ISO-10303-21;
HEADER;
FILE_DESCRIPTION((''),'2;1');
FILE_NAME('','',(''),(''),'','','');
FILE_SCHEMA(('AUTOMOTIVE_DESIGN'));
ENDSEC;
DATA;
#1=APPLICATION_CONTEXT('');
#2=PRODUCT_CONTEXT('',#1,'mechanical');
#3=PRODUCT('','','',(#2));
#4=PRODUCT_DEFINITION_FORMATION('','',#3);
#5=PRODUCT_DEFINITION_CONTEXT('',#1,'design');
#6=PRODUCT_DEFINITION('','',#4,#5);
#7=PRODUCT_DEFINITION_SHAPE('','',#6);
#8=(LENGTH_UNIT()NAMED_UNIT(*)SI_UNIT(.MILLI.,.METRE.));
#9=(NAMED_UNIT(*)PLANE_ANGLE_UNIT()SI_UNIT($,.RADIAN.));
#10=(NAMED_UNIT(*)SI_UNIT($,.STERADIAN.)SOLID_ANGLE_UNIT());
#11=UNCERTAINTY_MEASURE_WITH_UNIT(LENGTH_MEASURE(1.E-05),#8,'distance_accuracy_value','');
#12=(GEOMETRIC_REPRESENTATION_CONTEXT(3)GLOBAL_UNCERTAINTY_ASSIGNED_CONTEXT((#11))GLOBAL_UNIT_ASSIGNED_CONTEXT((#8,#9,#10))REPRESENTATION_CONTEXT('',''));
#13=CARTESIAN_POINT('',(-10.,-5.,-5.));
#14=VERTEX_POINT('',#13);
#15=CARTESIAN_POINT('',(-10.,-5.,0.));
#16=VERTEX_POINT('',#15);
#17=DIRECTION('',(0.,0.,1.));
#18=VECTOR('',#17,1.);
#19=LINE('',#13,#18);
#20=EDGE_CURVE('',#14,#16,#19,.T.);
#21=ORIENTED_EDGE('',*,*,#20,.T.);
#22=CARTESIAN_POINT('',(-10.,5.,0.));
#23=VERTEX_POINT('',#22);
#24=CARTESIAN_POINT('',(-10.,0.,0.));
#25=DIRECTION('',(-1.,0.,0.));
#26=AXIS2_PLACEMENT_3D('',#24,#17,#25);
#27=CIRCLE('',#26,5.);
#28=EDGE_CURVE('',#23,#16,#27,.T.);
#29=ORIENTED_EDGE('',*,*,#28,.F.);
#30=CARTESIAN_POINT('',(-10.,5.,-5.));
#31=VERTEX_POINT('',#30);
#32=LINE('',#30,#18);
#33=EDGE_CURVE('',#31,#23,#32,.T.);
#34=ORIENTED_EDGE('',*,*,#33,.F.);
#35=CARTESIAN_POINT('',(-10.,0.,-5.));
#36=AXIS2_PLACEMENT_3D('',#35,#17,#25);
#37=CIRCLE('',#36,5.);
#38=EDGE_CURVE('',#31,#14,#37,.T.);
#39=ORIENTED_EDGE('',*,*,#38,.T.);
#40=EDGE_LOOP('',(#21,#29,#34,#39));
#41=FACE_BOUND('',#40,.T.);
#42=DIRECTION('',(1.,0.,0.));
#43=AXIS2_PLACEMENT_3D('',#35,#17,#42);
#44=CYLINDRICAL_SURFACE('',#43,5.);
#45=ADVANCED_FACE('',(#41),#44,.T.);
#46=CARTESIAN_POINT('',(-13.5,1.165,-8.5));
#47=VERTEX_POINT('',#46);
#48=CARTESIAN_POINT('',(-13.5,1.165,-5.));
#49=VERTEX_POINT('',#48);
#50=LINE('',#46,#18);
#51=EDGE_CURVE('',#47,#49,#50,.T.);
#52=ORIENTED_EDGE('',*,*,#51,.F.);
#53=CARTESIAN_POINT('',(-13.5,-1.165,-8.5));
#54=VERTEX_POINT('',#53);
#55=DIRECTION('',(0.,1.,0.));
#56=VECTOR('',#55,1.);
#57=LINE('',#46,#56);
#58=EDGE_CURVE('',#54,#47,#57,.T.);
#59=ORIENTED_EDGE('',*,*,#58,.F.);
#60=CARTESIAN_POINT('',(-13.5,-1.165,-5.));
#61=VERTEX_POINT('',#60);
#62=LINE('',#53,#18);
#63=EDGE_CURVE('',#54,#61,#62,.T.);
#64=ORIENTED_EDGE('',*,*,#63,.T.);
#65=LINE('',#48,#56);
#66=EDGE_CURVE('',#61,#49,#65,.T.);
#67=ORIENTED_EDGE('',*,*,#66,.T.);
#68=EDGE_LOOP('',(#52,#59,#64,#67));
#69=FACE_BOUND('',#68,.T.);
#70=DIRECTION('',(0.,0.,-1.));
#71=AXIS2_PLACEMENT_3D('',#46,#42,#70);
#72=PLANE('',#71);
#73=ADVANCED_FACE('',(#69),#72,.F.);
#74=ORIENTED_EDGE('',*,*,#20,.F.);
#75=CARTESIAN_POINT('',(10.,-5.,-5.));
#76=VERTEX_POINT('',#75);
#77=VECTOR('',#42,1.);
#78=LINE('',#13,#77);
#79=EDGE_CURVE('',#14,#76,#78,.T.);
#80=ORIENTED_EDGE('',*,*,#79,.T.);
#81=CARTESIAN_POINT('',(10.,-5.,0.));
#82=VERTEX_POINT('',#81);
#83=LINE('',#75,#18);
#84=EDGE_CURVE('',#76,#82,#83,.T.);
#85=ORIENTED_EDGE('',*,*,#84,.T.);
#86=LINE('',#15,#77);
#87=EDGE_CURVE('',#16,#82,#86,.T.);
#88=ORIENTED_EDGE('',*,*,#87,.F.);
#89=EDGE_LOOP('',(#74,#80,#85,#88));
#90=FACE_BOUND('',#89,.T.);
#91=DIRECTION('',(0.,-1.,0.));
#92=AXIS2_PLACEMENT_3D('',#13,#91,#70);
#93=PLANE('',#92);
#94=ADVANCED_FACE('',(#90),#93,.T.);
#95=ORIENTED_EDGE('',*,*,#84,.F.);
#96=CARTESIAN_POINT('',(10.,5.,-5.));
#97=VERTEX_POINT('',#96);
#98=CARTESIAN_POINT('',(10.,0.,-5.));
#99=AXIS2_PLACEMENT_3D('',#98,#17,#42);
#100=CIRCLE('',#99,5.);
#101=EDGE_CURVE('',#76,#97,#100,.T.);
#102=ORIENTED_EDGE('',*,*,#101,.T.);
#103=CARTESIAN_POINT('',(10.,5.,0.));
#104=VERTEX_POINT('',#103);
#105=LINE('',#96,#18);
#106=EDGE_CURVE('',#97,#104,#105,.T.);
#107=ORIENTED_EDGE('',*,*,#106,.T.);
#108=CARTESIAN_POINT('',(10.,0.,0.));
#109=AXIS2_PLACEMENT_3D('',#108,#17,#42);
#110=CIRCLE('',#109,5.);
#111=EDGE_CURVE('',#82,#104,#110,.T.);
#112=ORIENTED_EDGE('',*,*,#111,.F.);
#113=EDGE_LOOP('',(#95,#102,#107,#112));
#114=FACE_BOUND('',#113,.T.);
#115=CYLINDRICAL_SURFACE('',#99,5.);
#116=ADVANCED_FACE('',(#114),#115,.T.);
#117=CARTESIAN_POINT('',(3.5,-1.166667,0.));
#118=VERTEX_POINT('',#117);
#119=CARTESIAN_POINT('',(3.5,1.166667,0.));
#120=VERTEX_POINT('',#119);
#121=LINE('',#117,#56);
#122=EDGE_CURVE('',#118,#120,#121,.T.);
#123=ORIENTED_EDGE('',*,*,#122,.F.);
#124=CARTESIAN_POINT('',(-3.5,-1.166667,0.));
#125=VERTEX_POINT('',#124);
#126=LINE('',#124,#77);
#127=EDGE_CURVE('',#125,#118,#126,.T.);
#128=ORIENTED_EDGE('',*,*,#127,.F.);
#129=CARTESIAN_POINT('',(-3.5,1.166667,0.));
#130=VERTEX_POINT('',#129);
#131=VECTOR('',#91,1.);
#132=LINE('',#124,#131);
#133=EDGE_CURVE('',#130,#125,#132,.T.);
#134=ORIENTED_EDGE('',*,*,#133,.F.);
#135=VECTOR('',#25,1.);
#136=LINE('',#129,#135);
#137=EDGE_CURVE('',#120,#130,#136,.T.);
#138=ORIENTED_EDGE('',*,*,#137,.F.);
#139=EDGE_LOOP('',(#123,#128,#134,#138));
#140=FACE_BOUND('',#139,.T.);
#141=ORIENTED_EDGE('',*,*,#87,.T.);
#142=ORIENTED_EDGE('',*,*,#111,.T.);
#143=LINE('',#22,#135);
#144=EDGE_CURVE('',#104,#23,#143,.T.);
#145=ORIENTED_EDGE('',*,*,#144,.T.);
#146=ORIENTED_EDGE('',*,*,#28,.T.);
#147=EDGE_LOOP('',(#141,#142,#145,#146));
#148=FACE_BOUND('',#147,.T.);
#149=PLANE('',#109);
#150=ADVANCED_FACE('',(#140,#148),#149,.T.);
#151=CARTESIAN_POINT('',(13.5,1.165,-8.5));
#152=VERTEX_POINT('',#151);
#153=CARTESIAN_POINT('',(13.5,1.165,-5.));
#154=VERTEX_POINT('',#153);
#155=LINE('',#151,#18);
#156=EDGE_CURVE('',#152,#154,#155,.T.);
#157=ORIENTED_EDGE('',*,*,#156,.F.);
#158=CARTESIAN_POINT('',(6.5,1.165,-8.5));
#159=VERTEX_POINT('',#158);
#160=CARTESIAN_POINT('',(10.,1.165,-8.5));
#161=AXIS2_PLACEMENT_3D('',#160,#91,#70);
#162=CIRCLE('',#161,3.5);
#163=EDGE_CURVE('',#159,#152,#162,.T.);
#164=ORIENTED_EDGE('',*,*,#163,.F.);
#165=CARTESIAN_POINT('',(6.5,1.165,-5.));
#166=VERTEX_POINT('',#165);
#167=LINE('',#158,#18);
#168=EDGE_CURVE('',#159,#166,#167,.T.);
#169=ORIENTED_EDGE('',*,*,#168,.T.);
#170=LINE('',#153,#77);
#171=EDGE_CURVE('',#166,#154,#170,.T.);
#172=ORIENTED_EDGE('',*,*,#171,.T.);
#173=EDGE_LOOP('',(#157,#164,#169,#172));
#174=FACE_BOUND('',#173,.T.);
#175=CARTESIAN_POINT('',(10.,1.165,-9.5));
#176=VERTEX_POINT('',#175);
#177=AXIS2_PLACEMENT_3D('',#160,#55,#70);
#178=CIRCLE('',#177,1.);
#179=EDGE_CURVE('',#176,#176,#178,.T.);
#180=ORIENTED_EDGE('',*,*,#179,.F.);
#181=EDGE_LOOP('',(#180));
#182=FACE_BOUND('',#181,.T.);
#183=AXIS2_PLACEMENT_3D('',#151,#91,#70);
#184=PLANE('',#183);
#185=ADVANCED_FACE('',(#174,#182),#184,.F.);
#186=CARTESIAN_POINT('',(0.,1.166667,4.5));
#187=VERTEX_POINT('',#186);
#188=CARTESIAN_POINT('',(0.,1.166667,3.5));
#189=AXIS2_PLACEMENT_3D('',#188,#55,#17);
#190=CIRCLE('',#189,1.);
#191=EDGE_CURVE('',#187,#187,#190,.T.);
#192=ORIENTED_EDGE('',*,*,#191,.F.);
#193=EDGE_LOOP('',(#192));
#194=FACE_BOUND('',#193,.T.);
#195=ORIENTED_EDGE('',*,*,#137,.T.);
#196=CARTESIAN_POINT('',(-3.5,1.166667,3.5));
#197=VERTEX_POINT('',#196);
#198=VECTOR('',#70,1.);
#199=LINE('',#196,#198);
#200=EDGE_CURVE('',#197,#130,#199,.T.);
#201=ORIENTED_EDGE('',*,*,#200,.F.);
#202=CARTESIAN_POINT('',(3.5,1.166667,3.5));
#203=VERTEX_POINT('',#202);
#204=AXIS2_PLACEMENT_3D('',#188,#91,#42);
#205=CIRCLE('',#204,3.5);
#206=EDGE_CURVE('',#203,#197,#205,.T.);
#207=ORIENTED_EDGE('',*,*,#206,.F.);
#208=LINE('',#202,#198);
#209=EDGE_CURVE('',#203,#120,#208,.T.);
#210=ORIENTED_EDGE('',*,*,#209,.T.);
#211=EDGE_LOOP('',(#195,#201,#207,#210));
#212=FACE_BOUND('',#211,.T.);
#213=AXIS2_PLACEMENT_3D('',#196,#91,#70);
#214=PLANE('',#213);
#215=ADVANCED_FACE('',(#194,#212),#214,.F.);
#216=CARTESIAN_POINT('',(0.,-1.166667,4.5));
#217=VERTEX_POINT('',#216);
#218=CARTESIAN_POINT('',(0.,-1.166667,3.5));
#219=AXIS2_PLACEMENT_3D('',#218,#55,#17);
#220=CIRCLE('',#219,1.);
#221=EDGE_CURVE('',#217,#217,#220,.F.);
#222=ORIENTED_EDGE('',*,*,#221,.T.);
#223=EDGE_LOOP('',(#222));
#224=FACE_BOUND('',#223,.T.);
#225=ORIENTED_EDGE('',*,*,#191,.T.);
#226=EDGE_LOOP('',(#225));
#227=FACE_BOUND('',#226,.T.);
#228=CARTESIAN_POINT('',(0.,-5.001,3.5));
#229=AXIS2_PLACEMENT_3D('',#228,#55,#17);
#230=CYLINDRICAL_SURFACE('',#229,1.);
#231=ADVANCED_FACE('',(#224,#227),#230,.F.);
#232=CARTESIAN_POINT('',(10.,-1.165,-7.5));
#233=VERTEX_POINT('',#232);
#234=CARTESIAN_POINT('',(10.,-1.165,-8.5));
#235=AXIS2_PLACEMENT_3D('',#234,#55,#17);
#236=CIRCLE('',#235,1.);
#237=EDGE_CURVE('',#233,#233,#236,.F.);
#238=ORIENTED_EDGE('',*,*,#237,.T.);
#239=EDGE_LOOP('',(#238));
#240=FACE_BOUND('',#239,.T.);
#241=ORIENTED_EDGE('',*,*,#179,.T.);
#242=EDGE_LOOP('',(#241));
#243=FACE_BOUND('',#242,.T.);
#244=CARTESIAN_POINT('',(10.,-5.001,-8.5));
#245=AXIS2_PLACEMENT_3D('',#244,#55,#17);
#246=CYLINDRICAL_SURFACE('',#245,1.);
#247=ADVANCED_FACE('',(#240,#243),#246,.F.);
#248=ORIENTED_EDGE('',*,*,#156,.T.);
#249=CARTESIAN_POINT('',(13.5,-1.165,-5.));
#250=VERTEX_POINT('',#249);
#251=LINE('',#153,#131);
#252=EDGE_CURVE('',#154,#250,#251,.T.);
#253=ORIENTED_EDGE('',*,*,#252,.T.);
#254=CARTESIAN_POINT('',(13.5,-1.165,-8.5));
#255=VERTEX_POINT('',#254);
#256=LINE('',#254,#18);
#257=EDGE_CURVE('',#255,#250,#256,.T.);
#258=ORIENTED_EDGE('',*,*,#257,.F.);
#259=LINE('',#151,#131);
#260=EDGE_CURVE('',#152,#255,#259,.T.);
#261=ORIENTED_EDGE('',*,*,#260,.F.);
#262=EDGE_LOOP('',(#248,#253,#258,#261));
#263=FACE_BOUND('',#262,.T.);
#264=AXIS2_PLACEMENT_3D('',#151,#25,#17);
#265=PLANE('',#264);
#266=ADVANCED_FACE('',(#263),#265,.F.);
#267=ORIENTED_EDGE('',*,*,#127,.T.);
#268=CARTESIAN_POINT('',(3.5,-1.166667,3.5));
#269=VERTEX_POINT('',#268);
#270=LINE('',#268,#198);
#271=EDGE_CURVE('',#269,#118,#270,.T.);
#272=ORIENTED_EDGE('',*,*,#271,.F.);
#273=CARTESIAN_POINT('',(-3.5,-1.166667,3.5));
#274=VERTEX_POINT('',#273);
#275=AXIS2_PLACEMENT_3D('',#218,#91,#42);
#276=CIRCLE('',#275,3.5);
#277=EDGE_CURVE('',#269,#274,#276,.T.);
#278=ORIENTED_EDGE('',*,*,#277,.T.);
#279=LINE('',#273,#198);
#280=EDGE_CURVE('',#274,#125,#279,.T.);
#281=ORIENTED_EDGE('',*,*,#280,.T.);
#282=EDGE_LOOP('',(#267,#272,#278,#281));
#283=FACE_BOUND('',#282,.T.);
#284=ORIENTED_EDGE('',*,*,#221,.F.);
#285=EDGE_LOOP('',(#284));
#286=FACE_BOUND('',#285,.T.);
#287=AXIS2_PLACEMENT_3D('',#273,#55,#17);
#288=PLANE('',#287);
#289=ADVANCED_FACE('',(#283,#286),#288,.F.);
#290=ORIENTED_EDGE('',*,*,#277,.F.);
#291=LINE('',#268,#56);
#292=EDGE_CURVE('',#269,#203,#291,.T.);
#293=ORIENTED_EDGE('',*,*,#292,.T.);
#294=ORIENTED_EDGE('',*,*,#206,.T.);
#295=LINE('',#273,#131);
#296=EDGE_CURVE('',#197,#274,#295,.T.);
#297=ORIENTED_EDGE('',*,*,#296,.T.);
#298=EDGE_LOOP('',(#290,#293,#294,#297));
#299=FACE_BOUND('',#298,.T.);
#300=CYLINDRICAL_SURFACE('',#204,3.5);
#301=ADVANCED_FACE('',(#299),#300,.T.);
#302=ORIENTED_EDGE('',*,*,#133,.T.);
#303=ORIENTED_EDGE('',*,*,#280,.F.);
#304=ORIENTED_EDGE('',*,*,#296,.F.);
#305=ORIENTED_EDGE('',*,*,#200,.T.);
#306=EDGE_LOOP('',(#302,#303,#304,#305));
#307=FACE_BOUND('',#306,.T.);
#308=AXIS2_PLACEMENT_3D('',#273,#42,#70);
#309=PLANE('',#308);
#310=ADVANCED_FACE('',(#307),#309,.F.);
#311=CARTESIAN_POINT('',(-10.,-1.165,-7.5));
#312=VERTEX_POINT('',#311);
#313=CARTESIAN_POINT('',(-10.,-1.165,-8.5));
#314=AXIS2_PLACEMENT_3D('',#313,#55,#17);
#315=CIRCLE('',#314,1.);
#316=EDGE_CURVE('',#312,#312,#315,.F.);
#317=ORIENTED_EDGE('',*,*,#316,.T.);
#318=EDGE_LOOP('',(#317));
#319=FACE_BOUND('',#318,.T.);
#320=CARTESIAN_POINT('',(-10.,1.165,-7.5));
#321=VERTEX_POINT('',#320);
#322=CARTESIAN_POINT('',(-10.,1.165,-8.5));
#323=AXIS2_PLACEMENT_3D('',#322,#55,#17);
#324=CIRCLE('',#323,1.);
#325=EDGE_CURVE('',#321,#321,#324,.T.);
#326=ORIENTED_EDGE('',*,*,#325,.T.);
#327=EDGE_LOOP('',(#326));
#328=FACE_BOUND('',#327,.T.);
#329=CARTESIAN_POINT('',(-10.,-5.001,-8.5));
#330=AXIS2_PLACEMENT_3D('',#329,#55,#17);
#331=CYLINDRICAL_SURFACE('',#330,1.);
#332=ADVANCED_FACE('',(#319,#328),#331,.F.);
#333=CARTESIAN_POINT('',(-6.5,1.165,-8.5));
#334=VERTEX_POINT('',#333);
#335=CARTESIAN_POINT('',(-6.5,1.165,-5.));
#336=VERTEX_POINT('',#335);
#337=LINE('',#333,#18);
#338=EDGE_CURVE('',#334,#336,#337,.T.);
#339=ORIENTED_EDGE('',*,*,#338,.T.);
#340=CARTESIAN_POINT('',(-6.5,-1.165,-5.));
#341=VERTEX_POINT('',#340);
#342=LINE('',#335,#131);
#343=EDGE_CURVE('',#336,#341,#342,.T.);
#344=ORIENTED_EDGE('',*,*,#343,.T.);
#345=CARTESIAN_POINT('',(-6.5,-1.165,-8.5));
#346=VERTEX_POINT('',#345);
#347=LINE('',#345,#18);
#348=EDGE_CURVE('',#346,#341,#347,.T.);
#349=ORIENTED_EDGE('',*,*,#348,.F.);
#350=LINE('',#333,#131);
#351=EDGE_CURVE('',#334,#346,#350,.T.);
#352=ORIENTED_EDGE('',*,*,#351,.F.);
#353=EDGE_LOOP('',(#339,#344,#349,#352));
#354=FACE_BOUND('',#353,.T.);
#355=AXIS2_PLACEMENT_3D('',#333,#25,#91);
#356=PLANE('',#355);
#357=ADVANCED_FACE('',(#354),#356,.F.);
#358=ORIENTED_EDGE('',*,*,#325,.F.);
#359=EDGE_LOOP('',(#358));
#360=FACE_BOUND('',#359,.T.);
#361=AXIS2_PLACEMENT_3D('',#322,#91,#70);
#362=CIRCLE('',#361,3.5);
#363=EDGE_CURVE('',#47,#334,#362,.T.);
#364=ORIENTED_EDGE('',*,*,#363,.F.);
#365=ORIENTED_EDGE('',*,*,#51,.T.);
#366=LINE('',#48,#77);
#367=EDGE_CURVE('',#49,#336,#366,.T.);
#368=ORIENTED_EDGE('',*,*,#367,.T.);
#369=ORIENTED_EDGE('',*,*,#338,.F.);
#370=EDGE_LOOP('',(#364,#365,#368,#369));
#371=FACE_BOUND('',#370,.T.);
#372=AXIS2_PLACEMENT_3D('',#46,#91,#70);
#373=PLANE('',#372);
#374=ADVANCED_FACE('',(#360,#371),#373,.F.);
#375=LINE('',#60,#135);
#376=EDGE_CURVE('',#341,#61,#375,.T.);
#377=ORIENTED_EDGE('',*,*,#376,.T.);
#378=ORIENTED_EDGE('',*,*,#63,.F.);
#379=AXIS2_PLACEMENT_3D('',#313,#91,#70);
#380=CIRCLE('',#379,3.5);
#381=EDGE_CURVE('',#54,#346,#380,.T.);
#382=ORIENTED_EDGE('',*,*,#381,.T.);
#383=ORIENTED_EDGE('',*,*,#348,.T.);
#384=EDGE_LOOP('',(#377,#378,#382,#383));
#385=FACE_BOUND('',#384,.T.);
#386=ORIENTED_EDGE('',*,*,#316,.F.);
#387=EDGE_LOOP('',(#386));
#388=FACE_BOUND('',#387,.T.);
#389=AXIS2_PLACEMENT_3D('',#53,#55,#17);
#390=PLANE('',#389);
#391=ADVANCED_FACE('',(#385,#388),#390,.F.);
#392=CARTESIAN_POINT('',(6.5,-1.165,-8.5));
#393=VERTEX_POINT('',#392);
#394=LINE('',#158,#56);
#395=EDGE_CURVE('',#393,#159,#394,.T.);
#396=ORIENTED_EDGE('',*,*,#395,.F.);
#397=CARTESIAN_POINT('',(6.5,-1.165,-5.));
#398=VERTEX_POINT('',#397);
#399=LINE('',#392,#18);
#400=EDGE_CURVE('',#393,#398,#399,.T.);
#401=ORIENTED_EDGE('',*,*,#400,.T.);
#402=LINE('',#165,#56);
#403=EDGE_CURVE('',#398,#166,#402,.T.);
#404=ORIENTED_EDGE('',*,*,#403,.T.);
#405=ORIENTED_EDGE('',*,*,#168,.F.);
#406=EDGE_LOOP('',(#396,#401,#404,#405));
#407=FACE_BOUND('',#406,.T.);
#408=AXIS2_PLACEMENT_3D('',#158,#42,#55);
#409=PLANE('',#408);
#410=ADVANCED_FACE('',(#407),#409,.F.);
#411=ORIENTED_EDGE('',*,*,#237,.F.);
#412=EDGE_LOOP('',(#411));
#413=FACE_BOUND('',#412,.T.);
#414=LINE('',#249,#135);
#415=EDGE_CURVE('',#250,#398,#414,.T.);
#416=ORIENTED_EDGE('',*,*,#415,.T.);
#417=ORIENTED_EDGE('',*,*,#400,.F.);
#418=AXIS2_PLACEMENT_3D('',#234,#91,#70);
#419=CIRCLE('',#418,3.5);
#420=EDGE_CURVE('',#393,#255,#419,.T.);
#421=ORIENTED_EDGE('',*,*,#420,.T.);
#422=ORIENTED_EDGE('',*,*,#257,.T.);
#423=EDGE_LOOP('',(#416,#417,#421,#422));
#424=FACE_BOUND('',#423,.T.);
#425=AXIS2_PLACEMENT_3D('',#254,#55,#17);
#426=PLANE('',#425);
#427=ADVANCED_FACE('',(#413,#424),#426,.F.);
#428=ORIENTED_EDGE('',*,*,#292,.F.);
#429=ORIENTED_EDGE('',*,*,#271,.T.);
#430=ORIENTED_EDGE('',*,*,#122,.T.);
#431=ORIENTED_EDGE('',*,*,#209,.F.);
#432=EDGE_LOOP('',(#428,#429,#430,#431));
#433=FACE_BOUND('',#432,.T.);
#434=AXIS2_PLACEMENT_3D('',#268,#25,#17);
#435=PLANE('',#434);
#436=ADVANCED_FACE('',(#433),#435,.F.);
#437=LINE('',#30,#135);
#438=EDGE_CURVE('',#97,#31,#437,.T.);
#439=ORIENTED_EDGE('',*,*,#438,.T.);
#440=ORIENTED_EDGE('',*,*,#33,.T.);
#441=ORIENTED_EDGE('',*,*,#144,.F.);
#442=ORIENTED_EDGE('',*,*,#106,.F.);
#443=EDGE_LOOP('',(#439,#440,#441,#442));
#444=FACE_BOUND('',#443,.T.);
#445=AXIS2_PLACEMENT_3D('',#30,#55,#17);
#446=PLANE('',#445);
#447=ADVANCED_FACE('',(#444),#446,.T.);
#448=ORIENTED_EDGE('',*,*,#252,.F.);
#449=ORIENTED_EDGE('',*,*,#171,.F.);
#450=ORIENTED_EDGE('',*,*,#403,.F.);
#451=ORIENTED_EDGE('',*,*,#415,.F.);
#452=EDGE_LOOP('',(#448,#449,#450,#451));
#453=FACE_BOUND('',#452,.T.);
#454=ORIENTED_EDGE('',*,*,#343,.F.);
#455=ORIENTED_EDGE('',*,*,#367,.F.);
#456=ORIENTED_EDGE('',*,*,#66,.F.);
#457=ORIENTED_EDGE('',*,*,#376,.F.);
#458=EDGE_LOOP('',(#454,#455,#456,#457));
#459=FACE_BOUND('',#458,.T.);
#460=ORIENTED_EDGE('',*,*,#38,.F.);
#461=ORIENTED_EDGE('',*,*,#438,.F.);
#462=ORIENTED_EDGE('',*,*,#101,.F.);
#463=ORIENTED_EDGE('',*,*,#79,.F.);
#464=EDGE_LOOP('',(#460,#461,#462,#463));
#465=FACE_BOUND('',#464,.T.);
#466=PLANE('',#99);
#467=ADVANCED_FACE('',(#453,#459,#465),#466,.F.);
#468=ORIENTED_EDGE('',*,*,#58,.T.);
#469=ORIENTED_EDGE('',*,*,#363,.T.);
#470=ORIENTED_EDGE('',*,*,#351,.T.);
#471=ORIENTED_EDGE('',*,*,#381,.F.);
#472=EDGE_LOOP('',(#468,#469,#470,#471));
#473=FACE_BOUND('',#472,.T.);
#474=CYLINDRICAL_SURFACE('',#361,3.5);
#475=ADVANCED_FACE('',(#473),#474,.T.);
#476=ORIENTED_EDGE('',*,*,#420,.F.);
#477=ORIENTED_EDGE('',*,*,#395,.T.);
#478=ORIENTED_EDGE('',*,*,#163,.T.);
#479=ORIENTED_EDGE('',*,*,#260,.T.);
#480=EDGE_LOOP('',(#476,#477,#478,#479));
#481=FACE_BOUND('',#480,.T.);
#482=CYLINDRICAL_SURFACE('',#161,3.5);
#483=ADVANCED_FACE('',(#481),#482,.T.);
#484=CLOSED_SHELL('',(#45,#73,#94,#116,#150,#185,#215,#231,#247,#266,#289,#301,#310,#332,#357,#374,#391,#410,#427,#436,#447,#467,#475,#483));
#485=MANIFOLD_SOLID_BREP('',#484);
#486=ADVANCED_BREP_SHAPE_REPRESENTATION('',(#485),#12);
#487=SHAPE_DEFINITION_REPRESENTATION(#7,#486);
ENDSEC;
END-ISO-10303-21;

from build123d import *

# Parameters (mm, degrees)
BOSS_EXTRUDE1_DEPTH = 5
SKETCH3_W           = 7
SKETCH3_H           = 2.333333334
BOSS_EXTRUDE2_DEPTH = 3.5
SKETCH6_W           = 3.5
SKETCH6_H           = 2.333333334
REVOLVE1_ANGLE      = 180
CUT_EXTRUDE1_REACH  = 19.664
SKETCH7_R           = 1
SKETCH8_W           = 7
SKETCH8_H           = 2.33
BOSS_EXTRUDE3_DEPTH = 3.5
SKETCH9_W           = 3.5
SKETCH9_H           = 2.33
REVOLVE2_ANGLE      = 180
SKETCH9_3_W         = 3.5
SKETCH9_3_H         = 2.33
REVOLVE3_ANGLE      = 180
CUT_EXTRUDE2_REACH  = 22.174
SKETCH11_R          = 1


with BuildPart() as part:
    # Sketch2 → Boss-Extrude1 (new body)
    with BuildSketch(Plane.XY):
        with BuildLine():
            Line((-10, -5), (10, -5))
            ThreePointArc((10, -5), (15, 0), (10, 5))
            Line((10, 5), (-10, 5))
            ThreePointArc((-10, 5), (-15, 0), (-10, -5))
        make_face()
    extrude(amount=-BOSS_EXTRUDE1_DEPTH)

    # Sketch3 → Boss-Extrude2 (add)
    with BuildSketch(Plane.XY):
        Rectangle(SKETCH3_W, SKETCH3_H)
    extrude(amount=BOSS_EXTRUDE2_DEPTH)

    # Sketch6 → Revolve1 (revolve)
    with BuildSketch(Plane.XY.offset(3.5)):
        with Locations((-1.75, 0)):
            Rectangle(SKETCH6_W, SKETCH6_H)
    revolve(axis=Axis((0, 1.166666667, 3.5), (0, 1, 0)), revolution_arc=REVOLVE1_ANGLE)

    # Sketch7 → Cut-Extrude1 (cut, up to next)
    with BuildSketch(Plane(origin=(0, 1.166666667, 0), x_dir=(1, 0, 0), z_dir=(0, 1, 0)), mode=Mode.PRIVATE) as cut_extrude1_sk1:
        with Locations((0, -3.5)):
            Circle(SKETCH7_R)
    cut_extrude1_tool1 = extrude(cut_extrude1_sk1.sketch, amount=-CUT_EXTRUDE1_REACH, mode=Mode.PRIVATE) & part.part
    add(cut_extrude1_tool1.solids().sort_by_distance((0, 1.166667, 3.5))[0], mode=Mode.SUBTRACT)

    # Sketch8 → Boss-Extrude3 (add)
    with BuildSketch(Plane(origin=(0, 0, -5), x_dir=(-1, 0, 0), z_dir=(0, 0, -1))):
        with Locations((-10, 0)):
            Rectangle(SKETCH8_W, SKETCH8_H)
        with Locations((10, 0)):
            Rectangle(SKETCH8_W, SKETCH8_H)
    extrude(amount=BOSS_EXTRUDE3_DEPTH)

    # Sketch9 → Revolve2 (revolve)
    with BuildSketch(Plane(origin=(0, 0, -8.5), x_dir=(-1, 0, 0), z_dir=(0, 0, -1))):
        with Locations((-11.75, 0)):
            Rectangle(SKETCH9_W, SKETCH9_H)
    revolve(axis=Axis((10, 1.165, -8.5), (0, 1, 0)), revolution_arc=REVOLVE2_ANGLE)

    # Sketch9<3> → Revolve3 (revolve)
    with BuildSketch(Plane(origin=(0, 0, -8.5), x_dir=(-1, 0, 0), z_dir=(0, 0, -1))):
        with Locations((8.25, 0)):
            Rectangle(SKETCH9_3_W, SKETCH9_3_H)
    revolve(axis=Axis((-10, 1.165, -8.5), (0, 1, 0)), revolution_arc=REVOLVE3_ANGLE)

    # Sketch11 → Cut-Extrude2 (cut, up to next)
    with BuildSketch(Plane(origin=(0, 1.165, 0), x_dir=(1, 0, 0), z_dir=(0, 1, 0)), mode=Mode.PRIVATE) as cut_extrude2_sk1:
        with Locations((-10, 8.5)):
            Circle(SKETCH11_R)
    cut_extrude2_tool1 = extrude(cut_extrude2_sk1.sketch, amount=-CUT_EXTRUDE2_REACH, mode=Mode.PRIVATE) & part.part
    # Sketch11 → Cut-Extrude2 (cut, up to next)
    with BuildSketch(Plane(origin=(0, 1.165, 0), x_dir=(1, 0, 0), z_dir=(0, 1, 0)), mode=Mode.PRIVATE) as cut_extrude2_sk2:
        with Locations((10, 8.5)):
            Circle(SKETCH11_R)
    cut_extrude2_tool2 = extrude(cut_extrude2_sk2.sketch, amount=-CUT_EXTRUDE2_REACH, mode=Mode.PRIVATE) & part.part
    add(cut_extrude2_tool1.solids().sort_by_distance((-10, 1.165, -8.5))[0], mode=Mode.SUBTRACT)
    add(cut_extrude2_tool2.solids().sort_by_distance((10, 1.165, -8.5))[0], mode=Mode.SUBTRACT)


solid = part.part
